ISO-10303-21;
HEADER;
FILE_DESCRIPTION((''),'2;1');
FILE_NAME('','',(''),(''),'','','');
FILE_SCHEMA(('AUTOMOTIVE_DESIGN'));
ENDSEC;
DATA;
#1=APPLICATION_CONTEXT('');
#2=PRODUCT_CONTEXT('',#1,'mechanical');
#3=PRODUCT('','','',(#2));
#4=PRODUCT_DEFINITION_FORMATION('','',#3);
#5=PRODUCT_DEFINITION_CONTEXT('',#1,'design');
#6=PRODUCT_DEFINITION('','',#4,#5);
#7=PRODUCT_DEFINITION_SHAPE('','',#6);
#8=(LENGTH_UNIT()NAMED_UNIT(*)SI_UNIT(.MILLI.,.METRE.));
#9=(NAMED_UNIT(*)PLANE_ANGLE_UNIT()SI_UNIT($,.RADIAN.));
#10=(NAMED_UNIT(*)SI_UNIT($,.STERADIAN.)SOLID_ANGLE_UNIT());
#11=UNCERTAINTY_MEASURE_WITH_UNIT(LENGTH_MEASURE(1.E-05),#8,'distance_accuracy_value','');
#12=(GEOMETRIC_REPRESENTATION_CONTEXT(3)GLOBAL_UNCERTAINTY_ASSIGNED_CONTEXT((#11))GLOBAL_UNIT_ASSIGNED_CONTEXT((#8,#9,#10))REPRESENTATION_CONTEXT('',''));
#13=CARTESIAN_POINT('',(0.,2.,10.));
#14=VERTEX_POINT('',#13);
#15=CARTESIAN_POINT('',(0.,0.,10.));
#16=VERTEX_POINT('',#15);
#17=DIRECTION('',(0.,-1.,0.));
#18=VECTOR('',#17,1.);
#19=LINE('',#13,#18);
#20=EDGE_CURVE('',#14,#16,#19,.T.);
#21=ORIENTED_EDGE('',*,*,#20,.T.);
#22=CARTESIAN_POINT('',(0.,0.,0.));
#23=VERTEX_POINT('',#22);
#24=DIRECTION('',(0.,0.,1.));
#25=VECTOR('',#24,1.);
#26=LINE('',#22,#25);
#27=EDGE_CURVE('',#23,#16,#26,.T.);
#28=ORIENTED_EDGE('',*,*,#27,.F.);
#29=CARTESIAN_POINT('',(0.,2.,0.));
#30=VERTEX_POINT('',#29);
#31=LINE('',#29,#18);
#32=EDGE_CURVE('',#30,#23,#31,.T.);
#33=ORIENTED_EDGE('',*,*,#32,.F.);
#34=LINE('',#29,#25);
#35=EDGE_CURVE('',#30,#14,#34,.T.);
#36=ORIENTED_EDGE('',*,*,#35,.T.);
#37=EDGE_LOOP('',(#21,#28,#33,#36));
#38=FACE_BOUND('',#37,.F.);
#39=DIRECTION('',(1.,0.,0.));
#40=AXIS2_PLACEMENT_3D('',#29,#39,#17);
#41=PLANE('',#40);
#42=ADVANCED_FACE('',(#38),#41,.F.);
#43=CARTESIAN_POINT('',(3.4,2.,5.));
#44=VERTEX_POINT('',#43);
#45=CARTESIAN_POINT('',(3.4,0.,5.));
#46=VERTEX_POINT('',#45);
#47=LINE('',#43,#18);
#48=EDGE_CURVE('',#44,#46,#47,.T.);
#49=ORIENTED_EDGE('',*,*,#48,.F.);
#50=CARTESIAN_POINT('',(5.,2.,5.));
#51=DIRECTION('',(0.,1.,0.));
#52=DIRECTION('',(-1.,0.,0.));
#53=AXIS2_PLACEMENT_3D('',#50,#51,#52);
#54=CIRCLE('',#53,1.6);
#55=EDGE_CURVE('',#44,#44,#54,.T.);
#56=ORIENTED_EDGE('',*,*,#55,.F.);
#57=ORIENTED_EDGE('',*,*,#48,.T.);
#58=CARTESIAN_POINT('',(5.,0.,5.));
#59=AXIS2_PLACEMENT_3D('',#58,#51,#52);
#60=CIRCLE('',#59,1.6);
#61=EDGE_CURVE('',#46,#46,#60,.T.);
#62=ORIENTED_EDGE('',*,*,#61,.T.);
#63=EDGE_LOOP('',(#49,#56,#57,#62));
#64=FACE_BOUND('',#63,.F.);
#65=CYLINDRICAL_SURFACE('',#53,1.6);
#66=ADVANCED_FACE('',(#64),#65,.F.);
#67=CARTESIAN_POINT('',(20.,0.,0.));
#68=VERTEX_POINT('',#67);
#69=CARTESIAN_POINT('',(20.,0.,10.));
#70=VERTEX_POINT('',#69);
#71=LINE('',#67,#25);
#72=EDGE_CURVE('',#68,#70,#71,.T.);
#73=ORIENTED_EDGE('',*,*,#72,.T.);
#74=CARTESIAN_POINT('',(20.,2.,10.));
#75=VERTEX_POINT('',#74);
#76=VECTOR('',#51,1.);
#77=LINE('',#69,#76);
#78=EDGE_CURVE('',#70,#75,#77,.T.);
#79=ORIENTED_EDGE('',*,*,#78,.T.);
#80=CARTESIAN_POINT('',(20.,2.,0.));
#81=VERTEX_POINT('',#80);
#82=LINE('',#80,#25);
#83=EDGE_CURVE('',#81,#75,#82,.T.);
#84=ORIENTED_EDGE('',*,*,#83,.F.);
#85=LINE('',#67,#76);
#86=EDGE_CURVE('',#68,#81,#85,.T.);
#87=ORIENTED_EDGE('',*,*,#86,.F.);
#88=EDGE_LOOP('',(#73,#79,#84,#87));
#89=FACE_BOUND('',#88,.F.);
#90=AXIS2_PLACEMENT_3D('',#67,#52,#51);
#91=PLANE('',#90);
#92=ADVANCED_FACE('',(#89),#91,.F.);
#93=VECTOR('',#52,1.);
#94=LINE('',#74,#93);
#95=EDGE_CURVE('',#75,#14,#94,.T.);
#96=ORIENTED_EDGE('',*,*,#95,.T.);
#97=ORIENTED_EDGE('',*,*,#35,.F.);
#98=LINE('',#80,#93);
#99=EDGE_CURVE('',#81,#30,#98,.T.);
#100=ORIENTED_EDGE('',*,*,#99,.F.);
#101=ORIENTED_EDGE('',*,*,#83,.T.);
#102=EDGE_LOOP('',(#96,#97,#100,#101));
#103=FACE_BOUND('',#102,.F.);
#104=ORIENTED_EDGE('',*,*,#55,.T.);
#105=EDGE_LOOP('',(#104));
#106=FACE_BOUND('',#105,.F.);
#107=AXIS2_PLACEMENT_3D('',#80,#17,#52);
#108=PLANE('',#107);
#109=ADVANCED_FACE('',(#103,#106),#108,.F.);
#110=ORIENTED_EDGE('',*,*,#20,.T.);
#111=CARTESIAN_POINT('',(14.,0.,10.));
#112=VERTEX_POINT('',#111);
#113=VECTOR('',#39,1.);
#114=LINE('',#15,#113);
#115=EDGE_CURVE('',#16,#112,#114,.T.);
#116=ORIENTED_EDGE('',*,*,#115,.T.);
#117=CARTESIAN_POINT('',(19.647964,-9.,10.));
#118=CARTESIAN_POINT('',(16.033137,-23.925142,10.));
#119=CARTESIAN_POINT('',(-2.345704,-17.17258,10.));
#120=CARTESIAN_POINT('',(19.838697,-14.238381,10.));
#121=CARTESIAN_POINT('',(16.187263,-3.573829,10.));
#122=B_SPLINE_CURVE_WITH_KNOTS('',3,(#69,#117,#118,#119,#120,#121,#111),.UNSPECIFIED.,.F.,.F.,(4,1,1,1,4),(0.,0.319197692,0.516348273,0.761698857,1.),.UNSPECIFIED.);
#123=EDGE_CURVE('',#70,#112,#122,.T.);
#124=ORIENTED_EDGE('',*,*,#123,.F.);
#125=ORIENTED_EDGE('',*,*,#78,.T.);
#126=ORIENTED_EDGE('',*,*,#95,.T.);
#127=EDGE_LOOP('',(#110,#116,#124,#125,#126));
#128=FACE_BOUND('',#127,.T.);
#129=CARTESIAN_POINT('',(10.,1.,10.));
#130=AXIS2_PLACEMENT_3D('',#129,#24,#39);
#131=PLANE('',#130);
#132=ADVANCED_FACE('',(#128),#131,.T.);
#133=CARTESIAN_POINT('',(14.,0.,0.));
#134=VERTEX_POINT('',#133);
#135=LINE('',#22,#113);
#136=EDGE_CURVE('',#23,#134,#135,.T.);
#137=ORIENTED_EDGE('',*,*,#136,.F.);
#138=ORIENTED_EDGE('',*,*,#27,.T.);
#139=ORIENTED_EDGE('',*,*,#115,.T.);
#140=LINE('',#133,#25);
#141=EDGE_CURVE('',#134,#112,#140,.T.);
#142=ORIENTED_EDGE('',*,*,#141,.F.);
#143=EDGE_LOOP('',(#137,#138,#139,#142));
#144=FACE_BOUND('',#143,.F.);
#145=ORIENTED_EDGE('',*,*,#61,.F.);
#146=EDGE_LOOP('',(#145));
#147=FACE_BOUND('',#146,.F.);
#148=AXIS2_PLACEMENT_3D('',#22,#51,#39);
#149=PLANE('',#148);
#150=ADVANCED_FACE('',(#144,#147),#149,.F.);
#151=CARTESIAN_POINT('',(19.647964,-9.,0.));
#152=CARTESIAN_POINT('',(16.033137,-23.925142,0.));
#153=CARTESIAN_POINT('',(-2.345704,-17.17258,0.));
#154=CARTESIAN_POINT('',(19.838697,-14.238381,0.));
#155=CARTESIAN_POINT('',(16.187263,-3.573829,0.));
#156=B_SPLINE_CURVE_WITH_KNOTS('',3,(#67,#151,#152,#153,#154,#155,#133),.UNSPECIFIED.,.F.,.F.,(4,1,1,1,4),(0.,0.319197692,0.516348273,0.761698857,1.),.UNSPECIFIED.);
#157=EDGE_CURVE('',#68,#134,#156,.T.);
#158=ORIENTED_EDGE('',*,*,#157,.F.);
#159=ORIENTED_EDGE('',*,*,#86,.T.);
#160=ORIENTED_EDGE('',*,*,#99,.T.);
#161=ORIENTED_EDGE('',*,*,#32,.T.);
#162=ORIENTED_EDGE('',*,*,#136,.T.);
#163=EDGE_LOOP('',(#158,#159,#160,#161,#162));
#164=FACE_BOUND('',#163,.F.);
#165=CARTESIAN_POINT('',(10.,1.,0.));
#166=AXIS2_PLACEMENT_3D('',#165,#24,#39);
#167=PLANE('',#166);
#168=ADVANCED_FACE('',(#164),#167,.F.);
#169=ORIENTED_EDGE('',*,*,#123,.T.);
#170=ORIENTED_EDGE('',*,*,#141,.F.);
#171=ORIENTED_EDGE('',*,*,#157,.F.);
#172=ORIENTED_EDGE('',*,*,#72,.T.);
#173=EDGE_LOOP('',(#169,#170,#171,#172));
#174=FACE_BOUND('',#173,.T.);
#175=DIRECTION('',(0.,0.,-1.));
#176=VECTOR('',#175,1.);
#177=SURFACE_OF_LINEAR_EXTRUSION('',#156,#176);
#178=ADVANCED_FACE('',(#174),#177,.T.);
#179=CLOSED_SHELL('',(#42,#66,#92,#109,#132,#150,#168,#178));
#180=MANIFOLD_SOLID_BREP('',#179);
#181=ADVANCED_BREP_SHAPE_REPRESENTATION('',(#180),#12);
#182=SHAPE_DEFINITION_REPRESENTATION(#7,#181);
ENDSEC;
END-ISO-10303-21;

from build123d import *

# Parameters (mm, degrees)
F1_DEPTH = 10
F2_R     = 1.6
F3_DEPTH = 2


with BuildPart() as f1:
    # F0 (on Top) → F1 (new body)
    with BuildSketch(Plane.XY):
        Polygon((0, 2), (0, 0), (14, 0), (20, 0), (20, 2), align=None)
        with BuildLine():
            Line((20, 0), (14, 0))
            add(Edge.make_bspline(
                [(20, 0), (19.6479635601, -9), (16.0331369676, -23.9251417574), (-2.3457035676, -17.1725798053), (19.8386974467, -14.2383808485), (16.18726315, -3.5738294308), (14, 0)],
                knots=[0, 0, 0, 0, 0.3191976922, 0.5163482731, 0.7616988573, 1, 1, 1, 1], degree=3))
        make_face()
    extrude(amount=F1_DEPTH)

    # F2 (on face) → F3 (cut, through all)
    with BuildSketch(Plane(origin=(0, 2, 0), x_dir=(-1, 0, 0), z_dir=(0, 1, 0))):
        with Locations((-5, 5)):
            Circle(F2_R)
    extrude(amount=-F3_DEPTH, mode=Mode.SUBTRACT)


solid = f1.part
